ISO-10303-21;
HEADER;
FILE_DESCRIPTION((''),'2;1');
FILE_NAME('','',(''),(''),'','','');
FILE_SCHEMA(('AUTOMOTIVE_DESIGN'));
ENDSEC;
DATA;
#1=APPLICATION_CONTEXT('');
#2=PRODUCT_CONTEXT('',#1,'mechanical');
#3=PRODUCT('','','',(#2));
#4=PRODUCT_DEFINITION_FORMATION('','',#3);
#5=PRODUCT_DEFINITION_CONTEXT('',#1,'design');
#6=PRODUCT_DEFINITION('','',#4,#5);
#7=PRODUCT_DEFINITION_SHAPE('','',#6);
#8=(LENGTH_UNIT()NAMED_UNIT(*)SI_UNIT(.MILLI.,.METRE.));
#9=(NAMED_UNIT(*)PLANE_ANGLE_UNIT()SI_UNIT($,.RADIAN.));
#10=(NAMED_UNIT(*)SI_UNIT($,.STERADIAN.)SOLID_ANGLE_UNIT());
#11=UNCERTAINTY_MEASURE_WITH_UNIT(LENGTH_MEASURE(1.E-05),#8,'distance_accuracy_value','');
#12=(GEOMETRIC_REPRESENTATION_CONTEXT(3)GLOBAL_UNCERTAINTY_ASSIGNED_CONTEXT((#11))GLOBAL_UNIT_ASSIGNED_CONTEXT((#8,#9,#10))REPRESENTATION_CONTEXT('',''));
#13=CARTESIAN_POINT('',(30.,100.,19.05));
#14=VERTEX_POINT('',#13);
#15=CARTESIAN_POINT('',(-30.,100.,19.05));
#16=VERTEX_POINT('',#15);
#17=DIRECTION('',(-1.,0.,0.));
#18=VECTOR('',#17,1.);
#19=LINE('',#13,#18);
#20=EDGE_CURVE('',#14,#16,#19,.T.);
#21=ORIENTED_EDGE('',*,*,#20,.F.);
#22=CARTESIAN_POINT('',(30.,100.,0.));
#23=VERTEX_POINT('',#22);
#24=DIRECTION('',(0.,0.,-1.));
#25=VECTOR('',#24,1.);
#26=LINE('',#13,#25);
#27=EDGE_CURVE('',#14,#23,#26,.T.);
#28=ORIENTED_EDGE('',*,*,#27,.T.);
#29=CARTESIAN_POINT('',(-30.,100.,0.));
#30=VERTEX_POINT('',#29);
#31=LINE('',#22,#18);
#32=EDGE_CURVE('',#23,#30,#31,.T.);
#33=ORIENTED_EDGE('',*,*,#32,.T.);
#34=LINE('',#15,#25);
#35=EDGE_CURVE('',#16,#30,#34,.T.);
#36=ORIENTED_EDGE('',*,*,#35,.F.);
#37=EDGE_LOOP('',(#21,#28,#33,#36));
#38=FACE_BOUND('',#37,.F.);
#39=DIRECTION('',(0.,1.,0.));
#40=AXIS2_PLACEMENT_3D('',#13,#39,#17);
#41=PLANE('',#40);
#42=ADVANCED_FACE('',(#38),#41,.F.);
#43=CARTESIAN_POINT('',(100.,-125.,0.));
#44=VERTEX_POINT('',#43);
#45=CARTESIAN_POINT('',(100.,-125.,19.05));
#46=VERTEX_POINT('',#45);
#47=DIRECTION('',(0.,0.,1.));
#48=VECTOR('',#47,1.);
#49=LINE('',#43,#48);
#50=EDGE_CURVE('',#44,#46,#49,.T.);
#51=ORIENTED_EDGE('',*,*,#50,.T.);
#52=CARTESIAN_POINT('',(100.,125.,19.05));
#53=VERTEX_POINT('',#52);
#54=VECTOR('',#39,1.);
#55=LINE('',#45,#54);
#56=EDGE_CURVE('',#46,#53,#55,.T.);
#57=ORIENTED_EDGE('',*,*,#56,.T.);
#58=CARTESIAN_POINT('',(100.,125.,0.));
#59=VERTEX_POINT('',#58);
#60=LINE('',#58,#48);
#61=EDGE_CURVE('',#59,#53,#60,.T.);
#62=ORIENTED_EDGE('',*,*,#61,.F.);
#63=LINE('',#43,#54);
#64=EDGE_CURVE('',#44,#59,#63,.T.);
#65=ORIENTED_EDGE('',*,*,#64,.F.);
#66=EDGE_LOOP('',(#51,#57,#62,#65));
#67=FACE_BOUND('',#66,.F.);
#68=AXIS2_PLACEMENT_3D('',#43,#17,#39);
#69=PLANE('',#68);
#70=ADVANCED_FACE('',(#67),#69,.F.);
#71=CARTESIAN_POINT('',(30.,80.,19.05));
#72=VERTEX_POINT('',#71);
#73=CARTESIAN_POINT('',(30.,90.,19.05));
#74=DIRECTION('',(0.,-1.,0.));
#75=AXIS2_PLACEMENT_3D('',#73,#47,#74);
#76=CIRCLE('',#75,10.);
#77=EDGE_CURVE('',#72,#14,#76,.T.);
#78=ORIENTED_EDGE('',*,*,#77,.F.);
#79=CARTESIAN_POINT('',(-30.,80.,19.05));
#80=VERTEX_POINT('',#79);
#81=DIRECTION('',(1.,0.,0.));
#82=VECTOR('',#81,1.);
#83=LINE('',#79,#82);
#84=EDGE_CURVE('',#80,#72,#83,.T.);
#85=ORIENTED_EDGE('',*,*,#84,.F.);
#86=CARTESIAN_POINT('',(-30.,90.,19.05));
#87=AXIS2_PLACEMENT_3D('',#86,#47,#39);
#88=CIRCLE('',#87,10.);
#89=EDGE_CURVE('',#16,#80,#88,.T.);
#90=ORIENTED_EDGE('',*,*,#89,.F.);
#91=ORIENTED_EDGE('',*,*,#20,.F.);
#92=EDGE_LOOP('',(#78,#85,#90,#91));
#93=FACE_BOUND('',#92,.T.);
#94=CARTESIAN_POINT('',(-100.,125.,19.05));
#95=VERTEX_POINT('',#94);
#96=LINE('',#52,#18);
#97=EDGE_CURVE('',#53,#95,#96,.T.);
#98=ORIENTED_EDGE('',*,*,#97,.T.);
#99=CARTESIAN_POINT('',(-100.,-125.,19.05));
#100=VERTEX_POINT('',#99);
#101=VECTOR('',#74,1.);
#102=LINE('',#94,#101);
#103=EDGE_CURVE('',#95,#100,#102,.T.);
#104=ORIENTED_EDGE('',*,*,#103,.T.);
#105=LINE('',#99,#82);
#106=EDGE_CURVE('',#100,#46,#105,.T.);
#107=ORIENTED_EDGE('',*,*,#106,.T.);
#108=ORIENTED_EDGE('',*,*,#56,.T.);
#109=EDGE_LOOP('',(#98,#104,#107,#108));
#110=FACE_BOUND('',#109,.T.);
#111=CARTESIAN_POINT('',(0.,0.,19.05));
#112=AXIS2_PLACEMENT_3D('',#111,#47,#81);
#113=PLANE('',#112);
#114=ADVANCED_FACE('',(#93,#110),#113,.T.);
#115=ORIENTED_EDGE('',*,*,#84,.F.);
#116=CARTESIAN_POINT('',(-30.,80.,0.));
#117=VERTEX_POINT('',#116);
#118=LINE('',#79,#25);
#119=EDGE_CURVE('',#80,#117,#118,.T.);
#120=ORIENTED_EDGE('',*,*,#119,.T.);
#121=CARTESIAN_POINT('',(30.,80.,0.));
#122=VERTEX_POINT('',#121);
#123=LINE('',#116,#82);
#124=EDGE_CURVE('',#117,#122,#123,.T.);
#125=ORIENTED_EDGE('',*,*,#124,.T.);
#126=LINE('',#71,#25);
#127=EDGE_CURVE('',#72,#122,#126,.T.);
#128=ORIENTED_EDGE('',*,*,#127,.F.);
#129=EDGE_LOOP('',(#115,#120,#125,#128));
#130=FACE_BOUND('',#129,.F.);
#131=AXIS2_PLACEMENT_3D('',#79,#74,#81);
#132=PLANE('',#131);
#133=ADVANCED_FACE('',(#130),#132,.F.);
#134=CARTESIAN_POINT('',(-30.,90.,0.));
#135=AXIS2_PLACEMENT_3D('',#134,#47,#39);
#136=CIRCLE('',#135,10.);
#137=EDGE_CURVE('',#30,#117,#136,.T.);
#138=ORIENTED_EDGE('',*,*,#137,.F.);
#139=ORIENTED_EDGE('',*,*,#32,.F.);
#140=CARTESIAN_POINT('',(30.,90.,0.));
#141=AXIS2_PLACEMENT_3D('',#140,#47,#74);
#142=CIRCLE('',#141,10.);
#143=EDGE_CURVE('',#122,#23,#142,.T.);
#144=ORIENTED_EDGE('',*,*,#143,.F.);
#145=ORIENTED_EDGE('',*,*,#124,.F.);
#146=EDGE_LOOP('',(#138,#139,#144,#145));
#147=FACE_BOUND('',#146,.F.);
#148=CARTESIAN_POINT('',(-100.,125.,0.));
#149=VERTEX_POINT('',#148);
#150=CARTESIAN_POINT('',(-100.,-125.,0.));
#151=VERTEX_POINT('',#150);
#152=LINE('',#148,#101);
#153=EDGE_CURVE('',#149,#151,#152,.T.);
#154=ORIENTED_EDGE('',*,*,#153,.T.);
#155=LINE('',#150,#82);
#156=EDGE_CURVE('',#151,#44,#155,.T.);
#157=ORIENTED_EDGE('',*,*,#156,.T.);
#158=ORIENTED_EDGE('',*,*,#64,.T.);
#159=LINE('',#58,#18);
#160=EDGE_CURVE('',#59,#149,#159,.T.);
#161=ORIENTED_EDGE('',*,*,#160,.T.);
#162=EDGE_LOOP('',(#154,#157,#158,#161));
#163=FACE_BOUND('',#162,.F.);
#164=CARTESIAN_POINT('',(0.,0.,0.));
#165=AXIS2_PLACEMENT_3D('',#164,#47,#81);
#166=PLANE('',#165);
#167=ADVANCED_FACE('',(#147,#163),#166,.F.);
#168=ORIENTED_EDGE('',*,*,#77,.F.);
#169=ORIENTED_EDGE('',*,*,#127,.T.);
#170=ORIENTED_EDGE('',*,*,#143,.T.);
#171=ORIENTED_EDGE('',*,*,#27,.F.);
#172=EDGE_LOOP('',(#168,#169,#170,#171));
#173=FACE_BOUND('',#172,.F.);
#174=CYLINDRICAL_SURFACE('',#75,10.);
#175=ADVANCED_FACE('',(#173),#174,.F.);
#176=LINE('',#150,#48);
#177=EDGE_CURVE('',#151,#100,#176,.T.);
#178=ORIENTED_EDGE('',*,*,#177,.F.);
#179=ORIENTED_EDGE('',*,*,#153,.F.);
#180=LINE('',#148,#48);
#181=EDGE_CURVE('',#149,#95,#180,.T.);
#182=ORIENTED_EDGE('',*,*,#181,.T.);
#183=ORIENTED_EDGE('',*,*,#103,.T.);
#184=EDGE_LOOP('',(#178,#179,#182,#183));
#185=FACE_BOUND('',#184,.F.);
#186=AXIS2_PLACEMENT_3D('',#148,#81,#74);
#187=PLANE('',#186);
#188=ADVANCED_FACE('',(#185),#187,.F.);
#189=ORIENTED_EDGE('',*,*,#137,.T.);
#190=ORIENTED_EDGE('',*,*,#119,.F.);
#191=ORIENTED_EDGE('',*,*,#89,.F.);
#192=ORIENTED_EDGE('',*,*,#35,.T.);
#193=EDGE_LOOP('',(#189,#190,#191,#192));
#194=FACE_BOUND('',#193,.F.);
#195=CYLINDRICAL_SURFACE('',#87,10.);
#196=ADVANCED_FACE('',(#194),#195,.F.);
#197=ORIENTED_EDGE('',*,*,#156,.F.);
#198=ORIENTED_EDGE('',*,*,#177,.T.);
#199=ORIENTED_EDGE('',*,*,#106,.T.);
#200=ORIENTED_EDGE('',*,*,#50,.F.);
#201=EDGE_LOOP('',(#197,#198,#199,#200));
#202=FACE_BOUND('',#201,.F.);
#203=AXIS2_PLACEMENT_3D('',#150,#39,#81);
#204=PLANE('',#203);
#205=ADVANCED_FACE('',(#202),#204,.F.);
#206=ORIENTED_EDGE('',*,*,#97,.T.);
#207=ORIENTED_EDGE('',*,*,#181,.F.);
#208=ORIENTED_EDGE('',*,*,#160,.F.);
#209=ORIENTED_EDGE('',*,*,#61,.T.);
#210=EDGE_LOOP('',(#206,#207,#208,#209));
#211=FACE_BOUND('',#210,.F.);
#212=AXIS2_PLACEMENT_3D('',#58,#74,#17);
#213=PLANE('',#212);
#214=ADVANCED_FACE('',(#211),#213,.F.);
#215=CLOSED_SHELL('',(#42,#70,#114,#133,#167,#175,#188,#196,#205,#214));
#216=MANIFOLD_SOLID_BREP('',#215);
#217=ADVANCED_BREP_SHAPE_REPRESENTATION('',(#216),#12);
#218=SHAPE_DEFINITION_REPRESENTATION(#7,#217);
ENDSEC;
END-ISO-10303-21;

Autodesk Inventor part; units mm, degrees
ref_plane "YZ Plane" through (0, 0, 0) normal (1, 0, 0) x (0, 1, 0)
ref_plane "XZ Plane" through (0, 0, 0) normal (0, 1, 0) x (-1, 0, 0)
ref_plane "XY Plane" through (0, 0, 0) normal (0, 0, 1) x (1, 0, 0)
sketch "Sketch1" plane through (0, 0, 0) normal (0, 0, 1) x (1, 0, 0)
  line L0 (-100, -125) -> (100, -125)
  line L1 (100, -125) -> (100, 125)
  line L2 (100, 125) -> (-100, 125)
  line L3 (-100, 125) -> (-100, -125)
  line L4 (-100, -125) -> (100, 125) construction
  line L5 (100, -125) -> (-100, 125) construction
  point P0 (0, 0)
  dimension "Height" = 250
  dimension "Width" = 200
extrude "Extrusion1" add sketch "Sketch1" along normal blind 19.05
sketch "Sketch2" plane through (0, 0, 19.05) normal (0, 0, 1) x (1, 0, 0)
  line L0 (-30, 90) -> (30, 90) construction
  line L1 (-30, 80) -> (30, 80)
  line L2 (30, 100) -> (-30, 100)
  arc A0 (-30, 100) -> (-30, 80) centre (-30, 90) ccw
  arc A1 (30, 80) -> (30, 100) centre (30, 90) ccw
  line L3 (100, 125) -> (-100, 125) projected
  point P0 (0, 0)
  point P1 (0, 90)
  dimension "d4" = 30
  dimension "d5" = 20
  dimension "d6" = 25
extrude "Extrusion2" cut sketch "Sketch2" against normal up to surface (19.05 mm away)
equation "\"d7\" = thickness"
equation "\"thickness\" = 19.05"
properties part number "Creat Side" material "Wood (Cherry)"
